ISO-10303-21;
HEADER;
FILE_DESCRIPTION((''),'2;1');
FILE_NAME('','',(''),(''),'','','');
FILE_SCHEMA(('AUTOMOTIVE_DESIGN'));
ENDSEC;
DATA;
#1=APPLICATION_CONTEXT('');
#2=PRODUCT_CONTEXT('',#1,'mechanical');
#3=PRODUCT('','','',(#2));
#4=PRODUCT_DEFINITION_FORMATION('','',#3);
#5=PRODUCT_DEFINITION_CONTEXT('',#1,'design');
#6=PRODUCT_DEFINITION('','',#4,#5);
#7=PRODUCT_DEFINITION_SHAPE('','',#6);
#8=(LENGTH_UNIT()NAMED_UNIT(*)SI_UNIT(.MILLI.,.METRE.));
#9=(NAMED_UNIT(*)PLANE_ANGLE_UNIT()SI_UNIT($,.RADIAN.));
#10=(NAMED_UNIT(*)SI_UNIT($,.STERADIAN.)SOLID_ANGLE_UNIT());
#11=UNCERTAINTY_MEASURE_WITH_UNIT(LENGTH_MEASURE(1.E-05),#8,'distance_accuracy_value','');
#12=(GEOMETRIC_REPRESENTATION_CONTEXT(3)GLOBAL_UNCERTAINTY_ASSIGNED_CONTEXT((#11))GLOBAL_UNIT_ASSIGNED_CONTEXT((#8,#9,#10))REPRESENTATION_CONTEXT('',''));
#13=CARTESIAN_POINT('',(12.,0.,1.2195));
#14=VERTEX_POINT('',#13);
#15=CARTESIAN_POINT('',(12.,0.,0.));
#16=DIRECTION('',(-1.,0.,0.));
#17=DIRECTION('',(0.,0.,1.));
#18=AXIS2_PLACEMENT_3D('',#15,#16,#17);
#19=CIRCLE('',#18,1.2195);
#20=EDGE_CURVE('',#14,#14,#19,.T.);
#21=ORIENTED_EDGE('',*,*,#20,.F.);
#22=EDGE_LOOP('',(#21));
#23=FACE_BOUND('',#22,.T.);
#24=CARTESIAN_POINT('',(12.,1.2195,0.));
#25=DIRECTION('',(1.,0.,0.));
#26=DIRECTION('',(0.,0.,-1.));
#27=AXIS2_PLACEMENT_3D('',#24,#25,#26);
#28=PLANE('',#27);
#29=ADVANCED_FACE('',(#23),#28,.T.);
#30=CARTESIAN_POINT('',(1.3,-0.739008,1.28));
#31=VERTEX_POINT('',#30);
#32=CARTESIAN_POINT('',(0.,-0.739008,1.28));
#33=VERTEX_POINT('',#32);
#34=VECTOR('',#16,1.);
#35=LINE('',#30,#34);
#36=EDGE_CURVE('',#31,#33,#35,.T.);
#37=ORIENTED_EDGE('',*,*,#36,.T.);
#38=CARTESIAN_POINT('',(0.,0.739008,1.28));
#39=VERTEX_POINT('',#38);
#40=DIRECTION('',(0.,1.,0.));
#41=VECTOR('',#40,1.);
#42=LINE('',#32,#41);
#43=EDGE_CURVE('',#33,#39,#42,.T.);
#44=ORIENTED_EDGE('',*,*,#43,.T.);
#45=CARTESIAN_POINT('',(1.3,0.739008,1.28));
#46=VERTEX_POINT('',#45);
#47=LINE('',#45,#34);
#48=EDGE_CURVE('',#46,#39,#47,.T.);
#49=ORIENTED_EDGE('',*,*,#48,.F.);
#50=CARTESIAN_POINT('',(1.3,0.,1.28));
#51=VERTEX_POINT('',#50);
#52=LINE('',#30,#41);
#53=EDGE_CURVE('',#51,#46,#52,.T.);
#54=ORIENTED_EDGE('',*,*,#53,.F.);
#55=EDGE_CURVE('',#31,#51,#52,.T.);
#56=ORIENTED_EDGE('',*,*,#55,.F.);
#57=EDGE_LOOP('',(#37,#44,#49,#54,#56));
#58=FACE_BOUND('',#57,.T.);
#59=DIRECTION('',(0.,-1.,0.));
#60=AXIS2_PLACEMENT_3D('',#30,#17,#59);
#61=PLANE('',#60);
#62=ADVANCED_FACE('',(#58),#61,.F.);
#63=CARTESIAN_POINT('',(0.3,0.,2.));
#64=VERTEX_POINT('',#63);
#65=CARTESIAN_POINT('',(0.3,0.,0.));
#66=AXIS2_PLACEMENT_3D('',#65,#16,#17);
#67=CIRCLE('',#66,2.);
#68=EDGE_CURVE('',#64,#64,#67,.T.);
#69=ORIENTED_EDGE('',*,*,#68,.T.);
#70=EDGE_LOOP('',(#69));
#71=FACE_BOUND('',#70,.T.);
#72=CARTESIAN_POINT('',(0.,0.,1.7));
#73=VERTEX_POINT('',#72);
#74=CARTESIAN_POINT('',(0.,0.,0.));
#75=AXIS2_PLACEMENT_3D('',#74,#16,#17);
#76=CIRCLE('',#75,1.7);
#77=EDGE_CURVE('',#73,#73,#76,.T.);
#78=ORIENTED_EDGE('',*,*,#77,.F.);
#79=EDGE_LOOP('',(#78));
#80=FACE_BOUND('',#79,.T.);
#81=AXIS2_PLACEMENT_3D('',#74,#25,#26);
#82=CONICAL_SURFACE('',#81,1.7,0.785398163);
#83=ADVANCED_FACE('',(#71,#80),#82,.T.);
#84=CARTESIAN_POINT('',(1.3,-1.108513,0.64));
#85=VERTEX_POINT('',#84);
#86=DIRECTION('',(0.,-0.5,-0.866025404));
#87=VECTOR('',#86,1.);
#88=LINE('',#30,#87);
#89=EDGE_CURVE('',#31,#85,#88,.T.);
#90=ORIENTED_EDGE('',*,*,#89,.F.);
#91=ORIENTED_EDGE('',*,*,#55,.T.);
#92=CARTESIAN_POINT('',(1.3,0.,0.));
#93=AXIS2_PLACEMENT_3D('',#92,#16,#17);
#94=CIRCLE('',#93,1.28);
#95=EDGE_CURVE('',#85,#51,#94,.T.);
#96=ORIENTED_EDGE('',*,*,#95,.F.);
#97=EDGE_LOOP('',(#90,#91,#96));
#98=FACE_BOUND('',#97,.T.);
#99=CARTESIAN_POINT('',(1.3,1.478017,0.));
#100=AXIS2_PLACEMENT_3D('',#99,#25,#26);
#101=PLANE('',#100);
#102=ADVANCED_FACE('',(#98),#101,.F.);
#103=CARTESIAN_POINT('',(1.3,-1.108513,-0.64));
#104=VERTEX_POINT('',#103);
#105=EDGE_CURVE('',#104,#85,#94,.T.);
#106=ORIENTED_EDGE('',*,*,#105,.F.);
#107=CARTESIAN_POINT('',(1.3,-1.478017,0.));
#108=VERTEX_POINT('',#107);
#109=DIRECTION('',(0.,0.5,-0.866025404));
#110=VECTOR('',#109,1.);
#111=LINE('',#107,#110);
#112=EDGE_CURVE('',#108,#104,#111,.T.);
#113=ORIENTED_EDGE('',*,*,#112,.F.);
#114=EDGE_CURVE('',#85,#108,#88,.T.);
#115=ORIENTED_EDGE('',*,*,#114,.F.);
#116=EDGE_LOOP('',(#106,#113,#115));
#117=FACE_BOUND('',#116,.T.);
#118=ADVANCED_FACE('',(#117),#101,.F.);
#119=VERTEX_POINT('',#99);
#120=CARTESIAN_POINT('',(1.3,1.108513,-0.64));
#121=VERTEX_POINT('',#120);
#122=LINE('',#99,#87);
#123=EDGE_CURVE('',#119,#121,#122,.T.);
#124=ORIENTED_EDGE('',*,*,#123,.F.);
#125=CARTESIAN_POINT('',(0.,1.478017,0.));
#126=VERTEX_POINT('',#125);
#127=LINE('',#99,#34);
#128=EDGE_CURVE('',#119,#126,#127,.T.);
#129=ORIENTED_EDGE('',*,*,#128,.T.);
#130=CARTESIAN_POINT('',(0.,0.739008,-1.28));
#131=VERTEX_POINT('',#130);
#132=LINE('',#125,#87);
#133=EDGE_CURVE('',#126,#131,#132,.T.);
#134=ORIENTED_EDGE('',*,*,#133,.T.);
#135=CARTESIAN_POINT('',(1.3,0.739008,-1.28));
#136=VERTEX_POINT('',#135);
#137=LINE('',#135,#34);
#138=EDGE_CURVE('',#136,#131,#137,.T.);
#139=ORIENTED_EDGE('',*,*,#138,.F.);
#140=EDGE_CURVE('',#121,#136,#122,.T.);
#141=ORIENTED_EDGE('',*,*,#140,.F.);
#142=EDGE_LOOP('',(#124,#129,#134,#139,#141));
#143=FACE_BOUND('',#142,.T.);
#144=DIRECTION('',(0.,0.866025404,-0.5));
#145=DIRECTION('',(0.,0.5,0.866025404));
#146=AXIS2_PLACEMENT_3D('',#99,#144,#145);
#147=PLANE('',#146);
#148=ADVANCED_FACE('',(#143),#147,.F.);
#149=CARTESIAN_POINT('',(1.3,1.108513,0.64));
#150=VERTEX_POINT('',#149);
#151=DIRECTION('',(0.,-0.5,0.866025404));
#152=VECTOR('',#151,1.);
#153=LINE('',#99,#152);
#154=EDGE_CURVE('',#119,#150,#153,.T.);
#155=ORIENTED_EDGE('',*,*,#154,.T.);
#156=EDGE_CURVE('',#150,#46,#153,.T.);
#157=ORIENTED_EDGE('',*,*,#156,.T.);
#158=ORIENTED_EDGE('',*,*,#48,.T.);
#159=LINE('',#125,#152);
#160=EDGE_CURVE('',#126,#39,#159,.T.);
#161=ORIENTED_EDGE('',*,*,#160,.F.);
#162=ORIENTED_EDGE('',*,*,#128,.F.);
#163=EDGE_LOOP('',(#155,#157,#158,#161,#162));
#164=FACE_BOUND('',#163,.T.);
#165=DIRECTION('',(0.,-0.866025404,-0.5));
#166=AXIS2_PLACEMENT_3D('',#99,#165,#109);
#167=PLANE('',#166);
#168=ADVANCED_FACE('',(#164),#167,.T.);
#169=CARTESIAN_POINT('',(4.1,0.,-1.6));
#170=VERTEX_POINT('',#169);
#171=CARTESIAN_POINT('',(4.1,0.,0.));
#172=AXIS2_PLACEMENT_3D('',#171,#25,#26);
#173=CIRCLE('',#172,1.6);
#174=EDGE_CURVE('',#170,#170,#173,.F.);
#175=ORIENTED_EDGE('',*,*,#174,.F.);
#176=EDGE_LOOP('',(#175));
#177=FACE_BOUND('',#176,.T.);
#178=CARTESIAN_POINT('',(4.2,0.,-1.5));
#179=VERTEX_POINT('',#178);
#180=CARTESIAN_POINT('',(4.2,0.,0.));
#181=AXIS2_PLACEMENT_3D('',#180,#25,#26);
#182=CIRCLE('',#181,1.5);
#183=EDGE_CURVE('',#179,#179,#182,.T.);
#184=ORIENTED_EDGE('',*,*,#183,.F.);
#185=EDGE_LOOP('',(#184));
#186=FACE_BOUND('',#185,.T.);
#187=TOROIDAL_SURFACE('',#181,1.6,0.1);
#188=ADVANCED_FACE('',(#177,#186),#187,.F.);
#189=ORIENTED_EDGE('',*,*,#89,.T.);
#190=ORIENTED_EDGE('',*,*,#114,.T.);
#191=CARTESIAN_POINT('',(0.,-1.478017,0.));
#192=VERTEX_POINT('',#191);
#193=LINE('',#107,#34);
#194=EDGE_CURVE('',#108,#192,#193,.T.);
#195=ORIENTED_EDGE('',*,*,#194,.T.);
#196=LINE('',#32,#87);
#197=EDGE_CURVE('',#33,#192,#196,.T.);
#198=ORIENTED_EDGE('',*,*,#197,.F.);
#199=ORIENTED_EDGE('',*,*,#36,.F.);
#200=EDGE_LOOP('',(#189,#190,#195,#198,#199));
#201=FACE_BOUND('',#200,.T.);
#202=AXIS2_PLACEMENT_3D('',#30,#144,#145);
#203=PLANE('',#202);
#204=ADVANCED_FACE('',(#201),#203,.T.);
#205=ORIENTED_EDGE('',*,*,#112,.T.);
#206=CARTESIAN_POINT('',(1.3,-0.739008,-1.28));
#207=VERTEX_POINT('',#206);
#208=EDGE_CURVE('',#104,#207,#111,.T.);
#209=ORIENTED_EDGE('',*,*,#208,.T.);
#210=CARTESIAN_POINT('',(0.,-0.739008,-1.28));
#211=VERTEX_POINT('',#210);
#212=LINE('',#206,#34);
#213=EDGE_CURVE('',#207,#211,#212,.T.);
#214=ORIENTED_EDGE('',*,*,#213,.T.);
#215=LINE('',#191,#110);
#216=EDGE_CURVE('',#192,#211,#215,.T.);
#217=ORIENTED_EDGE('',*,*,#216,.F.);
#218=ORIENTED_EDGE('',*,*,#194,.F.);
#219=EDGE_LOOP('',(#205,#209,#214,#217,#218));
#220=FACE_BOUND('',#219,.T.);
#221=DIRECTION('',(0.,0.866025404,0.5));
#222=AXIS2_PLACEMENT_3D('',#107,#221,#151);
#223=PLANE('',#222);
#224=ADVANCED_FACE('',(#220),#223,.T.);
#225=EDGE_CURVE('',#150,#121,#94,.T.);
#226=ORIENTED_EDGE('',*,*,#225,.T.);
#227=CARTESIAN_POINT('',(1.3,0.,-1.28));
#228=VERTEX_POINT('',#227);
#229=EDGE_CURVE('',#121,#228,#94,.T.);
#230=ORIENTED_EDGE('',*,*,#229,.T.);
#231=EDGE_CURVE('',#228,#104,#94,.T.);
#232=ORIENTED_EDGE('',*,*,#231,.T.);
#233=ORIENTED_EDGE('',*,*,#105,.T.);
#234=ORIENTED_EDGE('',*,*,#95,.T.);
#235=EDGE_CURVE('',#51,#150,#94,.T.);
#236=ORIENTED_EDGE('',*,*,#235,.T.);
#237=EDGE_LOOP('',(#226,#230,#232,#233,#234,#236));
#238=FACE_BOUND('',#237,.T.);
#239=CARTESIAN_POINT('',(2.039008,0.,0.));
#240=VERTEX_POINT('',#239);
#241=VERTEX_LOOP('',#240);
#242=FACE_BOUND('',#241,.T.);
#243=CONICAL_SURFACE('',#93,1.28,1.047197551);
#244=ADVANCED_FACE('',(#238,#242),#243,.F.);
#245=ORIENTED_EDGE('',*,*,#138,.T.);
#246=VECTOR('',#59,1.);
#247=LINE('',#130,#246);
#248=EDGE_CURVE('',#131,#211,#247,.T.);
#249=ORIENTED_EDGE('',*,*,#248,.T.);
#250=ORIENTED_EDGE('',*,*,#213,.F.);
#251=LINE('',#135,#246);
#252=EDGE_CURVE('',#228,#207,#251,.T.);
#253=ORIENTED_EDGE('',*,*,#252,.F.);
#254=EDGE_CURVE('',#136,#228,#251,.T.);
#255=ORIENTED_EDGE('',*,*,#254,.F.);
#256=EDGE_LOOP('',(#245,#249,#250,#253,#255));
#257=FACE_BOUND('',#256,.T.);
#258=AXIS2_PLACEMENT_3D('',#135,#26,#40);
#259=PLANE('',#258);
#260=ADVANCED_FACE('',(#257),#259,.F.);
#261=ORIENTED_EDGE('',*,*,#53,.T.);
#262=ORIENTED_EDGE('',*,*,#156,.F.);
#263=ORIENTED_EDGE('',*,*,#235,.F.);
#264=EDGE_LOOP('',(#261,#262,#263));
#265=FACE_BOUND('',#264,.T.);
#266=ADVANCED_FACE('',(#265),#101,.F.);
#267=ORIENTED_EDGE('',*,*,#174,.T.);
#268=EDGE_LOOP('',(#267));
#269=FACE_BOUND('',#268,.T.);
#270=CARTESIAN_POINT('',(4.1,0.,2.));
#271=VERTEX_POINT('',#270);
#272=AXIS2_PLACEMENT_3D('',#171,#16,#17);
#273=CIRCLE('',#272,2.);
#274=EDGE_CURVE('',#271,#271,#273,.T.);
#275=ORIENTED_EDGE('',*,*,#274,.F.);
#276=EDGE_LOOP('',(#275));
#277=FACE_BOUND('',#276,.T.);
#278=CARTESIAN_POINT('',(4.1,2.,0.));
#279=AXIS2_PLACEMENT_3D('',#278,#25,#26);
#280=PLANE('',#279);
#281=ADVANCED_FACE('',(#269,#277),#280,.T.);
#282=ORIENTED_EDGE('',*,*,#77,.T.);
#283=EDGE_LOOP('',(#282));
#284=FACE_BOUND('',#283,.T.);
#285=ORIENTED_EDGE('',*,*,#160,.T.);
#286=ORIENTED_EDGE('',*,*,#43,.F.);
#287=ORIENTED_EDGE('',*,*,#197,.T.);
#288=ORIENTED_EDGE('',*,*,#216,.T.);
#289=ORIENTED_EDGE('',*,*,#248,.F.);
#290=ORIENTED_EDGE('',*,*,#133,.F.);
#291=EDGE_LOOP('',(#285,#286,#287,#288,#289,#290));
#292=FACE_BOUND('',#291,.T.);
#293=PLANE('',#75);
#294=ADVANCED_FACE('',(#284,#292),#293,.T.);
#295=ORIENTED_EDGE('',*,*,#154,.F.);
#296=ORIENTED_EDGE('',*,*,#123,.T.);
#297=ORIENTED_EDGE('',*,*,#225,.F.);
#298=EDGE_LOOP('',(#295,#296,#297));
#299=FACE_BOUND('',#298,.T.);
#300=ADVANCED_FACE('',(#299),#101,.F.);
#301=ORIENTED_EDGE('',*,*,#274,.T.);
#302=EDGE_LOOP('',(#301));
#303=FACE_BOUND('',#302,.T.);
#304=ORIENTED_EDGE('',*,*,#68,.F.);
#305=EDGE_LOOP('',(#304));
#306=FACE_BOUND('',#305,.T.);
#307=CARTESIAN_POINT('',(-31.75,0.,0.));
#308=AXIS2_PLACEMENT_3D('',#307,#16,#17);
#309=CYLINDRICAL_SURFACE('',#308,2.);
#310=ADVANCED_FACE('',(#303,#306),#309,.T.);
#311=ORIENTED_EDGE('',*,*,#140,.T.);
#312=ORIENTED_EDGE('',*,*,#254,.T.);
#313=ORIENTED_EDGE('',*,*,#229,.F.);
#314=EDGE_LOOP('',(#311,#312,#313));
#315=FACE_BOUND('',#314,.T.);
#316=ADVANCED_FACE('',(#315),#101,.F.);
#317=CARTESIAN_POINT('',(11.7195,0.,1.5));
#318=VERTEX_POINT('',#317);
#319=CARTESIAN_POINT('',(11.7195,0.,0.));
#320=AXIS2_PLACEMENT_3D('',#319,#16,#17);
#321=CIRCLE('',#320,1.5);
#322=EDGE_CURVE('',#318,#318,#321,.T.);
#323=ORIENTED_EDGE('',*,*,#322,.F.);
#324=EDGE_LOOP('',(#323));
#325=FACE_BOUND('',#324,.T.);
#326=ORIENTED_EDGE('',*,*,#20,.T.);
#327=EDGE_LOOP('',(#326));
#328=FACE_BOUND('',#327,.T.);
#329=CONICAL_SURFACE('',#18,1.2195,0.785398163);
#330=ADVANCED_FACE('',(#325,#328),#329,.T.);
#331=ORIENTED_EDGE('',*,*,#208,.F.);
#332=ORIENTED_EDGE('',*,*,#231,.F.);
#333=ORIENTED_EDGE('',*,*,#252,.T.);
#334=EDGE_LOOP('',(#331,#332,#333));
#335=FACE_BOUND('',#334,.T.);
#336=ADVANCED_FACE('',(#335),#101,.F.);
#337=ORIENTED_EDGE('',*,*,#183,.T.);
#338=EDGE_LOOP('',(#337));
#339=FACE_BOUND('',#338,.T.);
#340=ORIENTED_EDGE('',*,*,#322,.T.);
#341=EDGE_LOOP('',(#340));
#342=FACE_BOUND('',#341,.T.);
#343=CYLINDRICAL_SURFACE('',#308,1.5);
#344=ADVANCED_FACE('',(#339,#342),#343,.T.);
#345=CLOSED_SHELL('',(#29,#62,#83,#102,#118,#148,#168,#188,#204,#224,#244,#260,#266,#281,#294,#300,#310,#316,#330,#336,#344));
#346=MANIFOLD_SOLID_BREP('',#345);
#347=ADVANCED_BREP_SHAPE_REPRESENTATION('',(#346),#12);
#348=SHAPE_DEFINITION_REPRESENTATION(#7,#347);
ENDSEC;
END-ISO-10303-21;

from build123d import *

# Parameters (mm, degrees)
FILLET1_R   = 0.1
HEX_2_DEPTH = 1.3


with BuildPart() as part:
    # BodySke → Base-Revolve (revolve)
    with BuildSketch(Plane.XY, mode=Mode.PRIVATE) as base_revolve_sk:
        Polygon((0, 0), (0, 1.7), (0.3, 2), (4.1, 2), (4.1, 1.5), (11.7195, 1.5), (12, 1.2195), (12, 0), align=None)
    revolve(base_revolve_sk.sketch.rotate(Axis((-31.75, 0, 0), (1, 0, 0)), 90), axis=Axis((-31.75, 0, 0), (1, 0, 0)))

    # Fillet1
    fillet1_edges = [part.edges().sort_by_distance(p)[0] for p in [
        (4.1, 0, -1.5),
    ]]
    fillet(fillet1_edges, radius=FILLET1_R)

    # Sketch2 → Hex-PreBroach (revolve, cut)
    with BuildSketch(Plane.XY, mode=Mode.PRIVATE) as hex_prebroach_sk:
        Polygon((0, 1.28), (1.3, 1.28), (2.039008345, 0), (0, 0), align=None)
    revolve(hex_prebroach_sk.sketch.rotate(Axis((0, 0, 0), (1, 0, 0)), 90), axis=Axis((0, 0, 0), (1, 0, 0)), mode=Mode.SUBTRACT)

    # Sketch3 → Hex 2 (cut)
    with BuildSketch(Plane(origin=(0, 0, 0), x_dir=(0, 0.500000000000001, 0.866025403784438), z_dir=(-1, 0, 0))):
        Polygon((0.739008345, 1.28), (-0.739008345, 1.28), (-1.478016689, 0), (-0.739008345, -1.28), (0.739008345, -1.28), (1.478016689, 0), align=None)
    extrude(amount=-HEX_2_DEPTH, mode=Mode.SUBTRACT)


solid = part.part
